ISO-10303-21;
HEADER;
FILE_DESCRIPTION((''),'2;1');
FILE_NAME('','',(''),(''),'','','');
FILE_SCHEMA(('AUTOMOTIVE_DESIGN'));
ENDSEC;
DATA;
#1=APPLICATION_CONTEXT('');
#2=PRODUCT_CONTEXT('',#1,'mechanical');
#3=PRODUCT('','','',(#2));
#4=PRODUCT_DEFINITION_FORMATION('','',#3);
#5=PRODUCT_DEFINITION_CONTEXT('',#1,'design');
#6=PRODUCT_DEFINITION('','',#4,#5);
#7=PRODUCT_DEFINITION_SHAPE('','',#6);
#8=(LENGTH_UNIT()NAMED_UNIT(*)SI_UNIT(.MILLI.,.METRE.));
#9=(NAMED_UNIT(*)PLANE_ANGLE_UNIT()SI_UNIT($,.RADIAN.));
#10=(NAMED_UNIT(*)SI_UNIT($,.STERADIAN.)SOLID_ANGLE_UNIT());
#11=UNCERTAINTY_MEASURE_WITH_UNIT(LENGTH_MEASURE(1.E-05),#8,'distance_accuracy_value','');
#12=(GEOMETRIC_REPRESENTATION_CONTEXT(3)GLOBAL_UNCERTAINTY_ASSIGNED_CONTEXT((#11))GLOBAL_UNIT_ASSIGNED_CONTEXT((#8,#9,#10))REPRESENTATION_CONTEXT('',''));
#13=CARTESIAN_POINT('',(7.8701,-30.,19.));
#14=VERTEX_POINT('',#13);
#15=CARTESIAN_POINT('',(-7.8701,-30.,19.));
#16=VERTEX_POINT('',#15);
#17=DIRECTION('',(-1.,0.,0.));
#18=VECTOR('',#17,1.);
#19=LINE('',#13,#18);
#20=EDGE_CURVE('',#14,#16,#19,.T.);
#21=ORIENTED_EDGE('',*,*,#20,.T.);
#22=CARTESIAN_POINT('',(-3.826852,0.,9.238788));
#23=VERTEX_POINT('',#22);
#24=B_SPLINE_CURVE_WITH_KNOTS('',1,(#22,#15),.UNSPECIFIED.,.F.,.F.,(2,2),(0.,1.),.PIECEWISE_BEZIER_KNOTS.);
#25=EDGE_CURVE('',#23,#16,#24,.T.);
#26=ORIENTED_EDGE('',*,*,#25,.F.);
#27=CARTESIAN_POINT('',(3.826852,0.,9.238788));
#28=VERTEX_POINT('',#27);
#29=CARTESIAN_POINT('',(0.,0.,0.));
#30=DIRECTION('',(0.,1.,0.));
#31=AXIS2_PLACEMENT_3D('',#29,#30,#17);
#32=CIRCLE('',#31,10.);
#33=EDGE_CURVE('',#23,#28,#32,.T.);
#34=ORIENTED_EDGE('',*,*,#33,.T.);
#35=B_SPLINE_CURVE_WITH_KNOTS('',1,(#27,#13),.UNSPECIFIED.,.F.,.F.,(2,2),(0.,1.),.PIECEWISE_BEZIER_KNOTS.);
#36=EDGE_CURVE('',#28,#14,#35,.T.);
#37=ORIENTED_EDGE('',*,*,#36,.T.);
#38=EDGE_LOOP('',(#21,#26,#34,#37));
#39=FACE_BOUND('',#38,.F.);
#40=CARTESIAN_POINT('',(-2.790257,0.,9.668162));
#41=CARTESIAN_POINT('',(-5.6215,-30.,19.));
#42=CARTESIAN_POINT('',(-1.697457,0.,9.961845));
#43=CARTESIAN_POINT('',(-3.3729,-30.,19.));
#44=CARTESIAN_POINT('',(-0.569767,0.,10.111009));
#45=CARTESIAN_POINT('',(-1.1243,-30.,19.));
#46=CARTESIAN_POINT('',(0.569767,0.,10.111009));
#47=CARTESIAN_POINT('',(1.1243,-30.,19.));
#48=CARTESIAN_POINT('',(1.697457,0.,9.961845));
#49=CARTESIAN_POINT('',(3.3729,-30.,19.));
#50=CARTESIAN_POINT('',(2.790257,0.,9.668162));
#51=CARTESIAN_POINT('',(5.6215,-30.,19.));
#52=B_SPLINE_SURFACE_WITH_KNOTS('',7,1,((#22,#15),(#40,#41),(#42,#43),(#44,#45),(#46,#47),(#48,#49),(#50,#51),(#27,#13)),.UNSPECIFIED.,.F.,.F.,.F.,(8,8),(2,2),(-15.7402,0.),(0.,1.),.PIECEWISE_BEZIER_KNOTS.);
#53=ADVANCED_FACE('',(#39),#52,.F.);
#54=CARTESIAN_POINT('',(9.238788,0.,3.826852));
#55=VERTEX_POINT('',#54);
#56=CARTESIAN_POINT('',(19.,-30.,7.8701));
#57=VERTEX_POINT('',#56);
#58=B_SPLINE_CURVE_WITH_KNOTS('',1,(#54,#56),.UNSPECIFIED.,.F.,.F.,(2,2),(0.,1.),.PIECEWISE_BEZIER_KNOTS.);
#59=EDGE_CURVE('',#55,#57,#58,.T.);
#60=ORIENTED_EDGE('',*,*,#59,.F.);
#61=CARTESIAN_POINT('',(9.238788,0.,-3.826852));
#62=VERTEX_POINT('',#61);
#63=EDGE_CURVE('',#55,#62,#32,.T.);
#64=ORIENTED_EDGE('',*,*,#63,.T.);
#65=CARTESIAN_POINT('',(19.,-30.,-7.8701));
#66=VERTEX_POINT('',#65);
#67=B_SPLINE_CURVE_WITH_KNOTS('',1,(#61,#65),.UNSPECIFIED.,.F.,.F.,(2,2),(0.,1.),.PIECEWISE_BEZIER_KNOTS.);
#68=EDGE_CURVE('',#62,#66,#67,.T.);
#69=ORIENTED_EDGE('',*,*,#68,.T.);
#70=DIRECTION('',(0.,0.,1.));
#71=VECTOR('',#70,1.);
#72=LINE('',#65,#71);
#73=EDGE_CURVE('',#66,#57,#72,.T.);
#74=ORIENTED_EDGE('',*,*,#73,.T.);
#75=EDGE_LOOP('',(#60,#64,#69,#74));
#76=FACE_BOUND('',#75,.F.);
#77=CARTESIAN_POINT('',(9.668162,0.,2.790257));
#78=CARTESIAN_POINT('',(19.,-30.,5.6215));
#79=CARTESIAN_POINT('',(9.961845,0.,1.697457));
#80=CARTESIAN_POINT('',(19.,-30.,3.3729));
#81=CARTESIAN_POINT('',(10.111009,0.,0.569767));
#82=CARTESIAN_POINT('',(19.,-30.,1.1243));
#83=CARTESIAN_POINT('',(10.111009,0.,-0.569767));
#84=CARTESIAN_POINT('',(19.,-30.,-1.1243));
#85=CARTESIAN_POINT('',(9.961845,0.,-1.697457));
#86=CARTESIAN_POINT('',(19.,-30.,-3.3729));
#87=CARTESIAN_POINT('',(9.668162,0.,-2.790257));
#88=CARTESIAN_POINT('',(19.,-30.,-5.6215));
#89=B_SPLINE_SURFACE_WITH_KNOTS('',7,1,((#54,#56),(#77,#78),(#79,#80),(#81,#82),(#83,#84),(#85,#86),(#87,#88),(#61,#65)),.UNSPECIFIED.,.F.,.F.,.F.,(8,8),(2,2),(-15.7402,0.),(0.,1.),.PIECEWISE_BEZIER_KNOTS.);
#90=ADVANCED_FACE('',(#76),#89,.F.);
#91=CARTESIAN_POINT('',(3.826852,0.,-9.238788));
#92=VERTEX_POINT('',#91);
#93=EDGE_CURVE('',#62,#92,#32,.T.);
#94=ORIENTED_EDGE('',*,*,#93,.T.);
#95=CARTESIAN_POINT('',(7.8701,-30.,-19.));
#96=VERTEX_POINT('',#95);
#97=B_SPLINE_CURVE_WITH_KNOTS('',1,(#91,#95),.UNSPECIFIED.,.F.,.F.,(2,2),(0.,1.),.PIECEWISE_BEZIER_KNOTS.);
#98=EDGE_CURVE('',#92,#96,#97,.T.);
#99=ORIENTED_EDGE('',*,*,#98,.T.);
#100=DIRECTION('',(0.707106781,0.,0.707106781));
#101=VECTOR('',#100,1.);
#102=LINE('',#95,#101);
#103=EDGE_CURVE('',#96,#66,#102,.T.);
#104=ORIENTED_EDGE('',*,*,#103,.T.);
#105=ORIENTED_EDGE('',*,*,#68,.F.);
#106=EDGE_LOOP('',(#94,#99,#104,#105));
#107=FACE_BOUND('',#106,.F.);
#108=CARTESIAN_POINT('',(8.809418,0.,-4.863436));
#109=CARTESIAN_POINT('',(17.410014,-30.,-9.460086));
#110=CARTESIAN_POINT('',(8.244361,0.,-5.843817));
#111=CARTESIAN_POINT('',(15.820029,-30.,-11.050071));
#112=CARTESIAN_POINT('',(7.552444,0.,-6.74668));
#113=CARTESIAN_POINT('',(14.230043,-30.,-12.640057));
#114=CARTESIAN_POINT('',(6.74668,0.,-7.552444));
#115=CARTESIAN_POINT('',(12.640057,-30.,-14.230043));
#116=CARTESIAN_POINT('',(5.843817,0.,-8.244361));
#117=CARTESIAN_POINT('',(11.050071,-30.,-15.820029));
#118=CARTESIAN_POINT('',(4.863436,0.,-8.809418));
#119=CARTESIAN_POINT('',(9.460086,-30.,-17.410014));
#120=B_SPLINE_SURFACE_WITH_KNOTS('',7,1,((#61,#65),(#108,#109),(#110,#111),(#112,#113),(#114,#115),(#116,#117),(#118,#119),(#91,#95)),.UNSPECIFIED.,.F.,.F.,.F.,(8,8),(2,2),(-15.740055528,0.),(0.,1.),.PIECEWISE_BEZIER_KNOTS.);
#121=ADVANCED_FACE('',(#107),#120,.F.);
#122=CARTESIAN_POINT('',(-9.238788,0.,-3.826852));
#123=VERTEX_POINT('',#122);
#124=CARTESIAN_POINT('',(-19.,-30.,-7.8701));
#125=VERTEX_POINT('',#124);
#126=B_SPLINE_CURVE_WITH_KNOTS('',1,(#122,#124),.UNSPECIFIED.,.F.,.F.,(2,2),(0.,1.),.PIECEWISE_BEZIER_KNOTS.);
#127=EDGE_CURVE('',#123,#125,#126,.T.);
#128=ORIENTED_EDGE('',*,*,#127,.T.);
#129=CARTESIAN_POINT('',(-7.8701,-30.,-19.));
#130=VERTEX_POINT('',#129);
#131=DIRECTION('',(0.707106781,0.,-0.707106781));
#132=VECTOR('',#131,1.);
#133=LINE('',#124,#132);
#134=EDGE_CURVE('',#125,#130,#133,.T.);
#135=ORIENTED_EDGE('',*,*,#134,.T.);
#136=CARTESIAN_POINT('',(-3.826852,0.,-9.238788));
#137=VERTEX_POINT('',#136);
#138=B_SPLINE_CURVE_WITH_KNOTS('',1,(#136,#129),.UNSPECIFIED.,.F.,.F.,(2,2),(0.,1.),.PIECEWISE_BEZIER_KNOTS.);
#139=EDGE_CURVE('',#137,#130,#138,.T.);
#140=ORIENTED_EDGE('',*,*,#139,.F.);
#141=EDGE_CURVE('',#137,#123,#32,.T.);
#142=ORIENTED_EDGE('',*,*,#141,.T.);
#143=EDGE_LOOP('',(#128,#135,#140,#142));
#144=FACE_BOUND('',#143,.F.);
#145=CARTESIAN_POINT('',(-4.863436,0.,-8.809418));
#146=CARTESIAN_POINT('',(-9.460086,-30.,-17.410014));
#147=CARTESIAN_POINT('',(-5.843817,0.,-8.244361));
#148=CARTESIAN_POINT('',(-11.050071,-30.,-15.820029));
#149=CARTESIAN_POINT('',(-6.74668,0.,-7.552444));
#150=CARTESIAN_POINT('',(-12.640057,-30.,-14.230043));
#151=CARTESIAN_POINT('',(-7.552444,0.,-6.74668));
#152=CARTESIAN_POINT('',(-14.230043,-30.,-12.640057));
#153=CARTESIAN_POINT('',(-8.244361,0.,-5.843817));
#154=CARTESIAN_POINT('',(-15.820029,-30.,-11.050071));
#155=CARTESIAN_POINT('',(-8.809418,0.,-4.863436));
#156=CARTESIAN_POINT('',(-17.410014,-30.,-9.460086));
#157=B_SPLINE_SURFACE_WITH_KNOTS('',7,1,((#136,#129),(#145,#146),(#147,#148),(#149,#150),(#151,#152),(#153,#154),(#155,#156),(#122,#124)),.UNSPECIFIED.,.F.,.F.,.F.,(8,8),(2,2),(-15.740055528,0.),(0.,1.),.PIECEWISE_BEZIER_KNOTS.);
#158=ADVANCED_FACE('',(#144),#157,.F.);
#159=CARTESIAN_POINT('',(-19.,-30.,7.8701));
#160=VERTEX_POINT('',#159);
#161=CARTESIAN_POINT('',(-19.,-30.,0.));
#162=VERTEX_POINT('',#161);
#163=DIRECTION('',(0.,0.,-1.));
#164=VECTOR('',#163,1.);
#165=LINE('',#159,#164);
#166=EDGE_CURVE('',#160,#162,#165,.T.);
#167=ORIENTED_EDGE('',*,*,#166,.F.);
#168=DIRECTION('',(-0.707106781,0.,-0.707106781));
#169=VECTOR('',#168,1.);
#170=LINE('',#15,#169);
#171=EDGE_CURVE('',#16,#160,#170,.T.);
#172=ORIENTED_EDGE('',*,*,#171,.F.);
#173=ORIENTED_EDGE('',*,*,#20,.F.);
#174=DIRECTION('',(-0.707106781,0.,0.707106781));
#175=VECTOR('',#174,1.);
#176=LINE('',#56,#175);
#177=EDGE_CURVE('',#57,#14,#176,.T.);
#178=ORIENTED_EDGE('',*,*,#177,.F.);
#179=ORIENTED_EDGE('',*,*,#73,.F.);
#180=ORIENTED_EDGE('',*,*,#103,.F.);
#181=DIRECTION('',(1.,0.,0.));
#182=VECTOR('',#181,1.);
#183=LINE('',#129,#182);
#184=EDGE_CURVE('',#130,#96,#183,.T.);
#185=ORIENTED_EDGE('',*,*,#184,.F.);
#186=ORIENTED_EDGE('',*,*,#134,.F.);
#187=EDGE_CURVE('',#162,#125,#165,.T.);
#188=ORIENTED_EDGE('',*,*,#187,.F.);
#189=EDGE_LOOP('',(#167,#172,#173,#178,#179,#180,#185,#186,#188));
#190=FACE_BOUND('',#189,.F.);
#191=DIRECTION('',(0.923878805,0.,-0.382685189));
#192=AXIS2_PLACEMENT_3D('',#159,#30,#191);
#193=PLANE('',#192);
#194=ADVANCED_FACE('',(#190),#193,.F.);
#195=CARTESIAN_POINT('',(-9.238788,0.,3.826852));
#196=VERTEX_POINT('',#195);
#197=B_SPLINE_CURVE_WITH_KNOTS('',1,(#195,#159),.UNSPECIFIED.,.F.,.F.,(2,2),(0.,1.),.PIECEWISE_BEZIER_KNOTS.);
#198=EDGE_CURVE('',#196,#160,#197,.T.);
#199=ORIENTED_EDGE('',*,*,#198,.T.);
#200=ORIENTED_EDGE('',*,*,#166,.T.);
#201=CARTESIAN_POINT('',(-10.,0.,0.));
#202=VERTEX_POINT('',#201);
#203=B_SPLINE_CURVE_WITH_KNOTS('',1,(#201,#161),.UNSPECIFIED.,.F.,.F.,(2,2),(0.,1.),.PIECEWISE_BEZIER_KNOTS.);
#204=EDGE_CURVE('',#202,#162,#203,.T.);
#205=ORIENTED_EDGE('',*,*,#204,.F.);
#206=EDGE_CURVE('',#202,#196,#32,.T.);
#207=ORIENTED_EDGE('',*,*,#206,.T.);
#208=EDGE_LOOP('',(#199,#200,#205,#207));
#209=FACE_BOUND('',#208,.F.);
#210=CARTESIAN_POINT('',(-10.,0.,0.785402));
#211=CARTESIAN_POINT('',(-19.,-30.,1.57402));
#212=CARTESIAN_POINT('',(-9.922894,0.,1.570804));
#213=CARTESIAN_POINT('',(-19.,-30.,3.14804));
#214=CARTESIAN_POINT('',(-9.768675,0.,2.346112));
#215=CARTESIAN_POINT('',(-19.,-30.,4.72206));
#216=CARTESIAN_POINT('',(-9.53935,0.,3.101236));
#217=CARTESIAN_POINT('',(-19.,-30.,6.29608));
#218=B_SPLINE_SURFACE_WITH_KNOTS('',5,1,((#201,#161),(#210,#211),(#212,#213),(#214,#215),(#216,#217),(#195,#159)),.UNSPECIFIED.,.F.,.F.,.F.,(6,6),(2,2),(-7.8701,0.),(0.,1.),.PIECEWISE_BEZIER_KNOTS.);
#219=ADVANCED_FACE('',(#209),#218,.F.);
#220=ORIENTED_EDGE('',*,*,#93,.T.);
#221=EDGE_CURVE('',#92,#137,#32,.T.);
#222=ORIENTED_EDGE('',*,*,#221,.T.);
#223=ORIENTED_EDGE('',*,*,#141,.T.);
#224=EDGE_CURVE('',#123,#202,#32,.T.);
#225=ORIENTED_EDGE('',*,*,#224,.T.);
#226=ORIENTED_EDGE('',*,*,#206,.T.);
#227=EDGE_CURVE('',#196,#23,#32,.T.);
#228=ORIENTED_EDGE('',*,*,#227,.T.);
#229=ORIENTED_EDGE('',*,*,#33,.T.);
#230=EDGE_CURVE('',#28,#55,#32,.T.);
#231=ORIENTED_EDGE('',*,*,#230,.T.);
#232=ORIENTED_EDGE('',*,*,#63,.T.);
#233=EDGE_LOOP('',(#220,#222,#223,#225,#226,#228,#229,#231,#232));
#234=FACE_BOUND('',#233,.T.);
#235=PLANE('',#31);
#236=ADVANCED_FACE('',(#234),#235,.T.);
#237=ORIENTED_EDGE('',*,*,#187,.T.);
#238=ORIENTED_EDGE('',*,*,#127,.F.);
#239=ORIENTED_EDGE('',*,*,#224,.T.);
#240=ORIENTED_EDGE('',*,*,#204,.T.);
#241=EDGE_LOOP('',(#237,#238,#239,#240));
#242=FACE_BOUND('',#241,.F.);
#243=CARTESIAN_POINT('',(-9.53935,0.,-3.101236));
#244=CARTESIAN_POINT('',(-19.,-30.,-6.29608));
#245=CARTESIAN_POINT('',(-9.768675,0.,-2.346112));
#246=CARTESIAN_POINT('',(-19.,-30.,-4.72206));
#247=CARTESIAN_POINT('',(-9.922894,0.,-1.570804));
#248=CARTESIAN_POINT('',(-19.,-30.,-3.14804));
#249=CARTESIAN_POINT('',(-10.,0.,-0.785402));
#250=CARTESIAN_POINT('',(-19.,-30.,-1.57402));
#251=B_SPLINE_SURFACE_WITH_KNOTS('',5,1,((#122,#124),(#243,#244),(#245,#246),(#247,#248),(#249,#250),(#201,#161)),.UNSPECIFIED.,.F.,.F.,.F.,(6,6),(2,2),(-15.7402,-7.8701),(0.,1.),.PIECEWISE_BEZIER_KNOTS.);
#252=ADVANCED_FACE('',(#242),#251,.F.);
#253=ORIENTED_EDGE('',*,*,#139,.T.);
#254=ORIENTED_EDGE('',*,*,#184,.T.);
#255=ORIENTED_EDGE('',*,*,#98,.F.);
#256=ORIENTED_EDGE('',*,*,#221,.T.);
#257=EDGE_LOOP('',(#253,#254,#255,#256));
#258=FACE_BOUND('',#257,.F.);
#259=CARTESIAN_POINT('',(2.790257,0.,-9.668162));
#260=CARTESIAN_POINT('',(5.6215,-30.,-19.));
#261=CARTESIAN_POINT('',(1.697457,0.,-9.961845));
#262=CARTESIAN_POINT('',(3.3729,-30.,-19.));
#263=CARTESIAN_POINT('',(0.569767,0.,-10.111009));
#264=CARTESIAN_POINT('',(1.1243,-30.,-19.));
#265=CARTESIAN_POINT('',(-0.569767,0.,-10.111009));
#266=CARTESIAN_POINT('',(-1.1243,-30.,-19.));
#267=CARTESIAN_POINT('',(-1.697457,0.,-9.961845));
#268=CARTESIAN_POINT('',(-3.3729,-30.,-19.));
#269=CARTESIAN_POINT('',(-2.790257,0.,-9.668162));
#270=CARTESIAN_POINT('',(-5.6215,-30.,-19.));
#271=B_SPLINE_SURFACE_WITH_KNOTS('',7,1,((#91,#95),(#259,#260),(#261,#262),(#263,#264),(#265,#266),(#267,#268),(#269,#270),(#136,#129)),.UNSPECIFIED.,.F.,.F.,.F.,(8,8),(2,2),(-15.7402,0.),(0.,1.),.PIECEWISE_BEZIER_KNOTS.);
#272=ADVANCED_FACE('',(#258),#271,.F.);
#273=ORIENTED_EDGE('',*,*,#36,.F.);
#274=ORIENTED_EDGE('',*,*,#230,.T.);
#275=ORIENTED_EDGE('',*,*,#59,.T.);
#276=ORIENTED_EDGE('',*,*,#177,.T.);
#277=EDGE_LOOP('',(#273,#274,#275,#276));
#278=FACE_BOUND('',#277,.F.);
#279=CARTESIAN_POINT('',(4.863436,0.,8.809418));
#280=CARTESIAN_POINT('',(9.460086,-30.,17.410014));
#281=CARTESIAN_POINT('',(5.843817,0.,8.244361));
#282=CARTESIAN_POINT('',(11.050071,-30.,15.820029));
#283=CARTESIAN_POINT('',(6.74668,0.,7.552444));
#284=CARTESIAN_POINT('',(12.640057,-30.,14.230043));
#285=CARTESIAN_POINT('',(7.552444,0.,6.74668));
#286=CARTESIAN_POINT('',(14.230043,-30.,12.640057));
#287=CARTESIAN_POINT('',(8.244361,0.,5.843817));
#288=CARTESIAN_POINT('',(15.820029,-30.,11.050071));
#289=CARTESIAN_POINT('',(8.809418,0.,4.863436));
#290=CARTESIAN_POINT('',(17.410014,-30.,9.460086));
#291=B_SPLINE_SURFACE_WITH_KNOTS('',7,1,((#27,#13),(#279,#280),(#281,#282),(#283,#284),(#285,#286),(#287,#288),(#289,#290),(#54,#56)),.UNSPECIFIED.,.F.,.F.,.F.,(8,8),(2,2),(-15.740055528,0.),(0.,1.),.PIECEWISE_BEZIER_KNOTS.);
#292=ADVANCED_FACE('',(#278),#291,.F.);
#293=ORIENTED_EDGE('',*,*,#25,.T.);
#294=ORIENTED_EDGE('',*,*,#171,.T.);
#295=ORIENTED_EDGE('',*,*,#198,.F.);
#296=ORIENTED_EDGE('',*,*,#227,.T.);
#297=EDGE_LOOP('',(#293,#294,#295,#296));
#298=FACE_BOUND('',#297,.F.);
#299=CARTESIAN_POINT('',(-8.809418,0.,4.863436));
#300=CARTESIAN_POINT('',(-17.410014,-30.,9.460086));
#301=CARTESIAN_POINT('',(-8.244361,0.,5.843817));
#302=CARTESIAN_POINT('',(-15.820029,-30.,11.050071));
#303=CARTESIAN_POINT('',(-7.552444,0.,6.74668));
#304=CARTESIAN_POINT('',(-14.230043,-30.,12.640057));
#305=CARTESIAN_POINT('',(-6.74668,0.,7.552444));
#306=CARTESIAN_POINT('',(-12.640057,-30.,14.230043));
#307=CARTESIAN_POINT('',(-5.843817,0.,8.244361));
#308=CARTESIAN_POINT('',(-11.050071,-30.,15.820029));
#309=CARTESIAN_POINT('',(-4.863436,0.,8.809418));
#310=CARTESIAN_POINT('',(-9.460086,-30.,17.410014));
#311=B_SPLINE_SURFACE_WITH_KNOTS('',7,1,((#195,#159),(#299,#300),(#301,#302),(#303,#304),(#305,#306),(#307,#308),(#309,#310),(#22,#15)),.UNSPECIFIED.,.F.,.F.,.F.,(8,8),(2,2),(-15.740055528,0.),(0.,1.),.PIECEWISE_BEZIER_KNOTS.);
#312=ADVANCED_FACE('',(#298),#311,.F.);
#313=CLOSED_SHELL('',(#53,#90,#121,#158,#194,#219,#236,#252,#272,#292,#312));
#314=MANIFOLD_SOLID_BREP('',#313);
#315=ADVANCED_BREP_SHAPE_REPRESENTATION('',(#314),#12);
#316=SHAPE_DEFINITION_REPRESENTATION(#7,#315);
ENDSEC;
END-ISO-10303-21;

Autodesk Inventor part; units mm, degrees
ref_plane "YZ Plane" through (0, 0, 0) normal (1, 0, 0) x (0, 1, 0)
ref_plane "XY Plane" through (0, 0, 0) normal (0, 0, 1) x (1, 0, 0)
sketch "草圖1" plane through (0, 0, 0) normal (0, 1, 0) x (-1, 0, 0)
  circle A0 centre (0, 0) radius 10
  dimension "d0" = 20
ref_plane "工作平面1" through (0, -30, 0) normal (0, 1, 0) x (-1, 0, 0)
sketch "草圖2" plane through (0, -30, 0) normal (0, 1, 0) x (-1, 0, 0)
  line L0 (7.8701, -19) -> (-7.8701, -19)
  line L1 (-7.8701, -19) -> (-19, -7.8701)
  line L2 (-19, -7.8701) -> (-19, 7.8701)
  line L3 (-19, 7.8701) -> (-7.8701, 19)
  line L4 (-7.8701, 19) -> (7.8701, 19)
  line L5 (7.8701, 19) -> (19, 7.8701)
  line L6 (19, 7.8701) -> (19, -7.8701)
  line L7 (19, -7.8701) -> (7.8701, -19)
  line L8 (0, 0) -> (0, -16.976)
  dimension "d2" = 38
loft "斷面混成1" add profiles "草圖1", "草圖2"
properties part number "練習一"
